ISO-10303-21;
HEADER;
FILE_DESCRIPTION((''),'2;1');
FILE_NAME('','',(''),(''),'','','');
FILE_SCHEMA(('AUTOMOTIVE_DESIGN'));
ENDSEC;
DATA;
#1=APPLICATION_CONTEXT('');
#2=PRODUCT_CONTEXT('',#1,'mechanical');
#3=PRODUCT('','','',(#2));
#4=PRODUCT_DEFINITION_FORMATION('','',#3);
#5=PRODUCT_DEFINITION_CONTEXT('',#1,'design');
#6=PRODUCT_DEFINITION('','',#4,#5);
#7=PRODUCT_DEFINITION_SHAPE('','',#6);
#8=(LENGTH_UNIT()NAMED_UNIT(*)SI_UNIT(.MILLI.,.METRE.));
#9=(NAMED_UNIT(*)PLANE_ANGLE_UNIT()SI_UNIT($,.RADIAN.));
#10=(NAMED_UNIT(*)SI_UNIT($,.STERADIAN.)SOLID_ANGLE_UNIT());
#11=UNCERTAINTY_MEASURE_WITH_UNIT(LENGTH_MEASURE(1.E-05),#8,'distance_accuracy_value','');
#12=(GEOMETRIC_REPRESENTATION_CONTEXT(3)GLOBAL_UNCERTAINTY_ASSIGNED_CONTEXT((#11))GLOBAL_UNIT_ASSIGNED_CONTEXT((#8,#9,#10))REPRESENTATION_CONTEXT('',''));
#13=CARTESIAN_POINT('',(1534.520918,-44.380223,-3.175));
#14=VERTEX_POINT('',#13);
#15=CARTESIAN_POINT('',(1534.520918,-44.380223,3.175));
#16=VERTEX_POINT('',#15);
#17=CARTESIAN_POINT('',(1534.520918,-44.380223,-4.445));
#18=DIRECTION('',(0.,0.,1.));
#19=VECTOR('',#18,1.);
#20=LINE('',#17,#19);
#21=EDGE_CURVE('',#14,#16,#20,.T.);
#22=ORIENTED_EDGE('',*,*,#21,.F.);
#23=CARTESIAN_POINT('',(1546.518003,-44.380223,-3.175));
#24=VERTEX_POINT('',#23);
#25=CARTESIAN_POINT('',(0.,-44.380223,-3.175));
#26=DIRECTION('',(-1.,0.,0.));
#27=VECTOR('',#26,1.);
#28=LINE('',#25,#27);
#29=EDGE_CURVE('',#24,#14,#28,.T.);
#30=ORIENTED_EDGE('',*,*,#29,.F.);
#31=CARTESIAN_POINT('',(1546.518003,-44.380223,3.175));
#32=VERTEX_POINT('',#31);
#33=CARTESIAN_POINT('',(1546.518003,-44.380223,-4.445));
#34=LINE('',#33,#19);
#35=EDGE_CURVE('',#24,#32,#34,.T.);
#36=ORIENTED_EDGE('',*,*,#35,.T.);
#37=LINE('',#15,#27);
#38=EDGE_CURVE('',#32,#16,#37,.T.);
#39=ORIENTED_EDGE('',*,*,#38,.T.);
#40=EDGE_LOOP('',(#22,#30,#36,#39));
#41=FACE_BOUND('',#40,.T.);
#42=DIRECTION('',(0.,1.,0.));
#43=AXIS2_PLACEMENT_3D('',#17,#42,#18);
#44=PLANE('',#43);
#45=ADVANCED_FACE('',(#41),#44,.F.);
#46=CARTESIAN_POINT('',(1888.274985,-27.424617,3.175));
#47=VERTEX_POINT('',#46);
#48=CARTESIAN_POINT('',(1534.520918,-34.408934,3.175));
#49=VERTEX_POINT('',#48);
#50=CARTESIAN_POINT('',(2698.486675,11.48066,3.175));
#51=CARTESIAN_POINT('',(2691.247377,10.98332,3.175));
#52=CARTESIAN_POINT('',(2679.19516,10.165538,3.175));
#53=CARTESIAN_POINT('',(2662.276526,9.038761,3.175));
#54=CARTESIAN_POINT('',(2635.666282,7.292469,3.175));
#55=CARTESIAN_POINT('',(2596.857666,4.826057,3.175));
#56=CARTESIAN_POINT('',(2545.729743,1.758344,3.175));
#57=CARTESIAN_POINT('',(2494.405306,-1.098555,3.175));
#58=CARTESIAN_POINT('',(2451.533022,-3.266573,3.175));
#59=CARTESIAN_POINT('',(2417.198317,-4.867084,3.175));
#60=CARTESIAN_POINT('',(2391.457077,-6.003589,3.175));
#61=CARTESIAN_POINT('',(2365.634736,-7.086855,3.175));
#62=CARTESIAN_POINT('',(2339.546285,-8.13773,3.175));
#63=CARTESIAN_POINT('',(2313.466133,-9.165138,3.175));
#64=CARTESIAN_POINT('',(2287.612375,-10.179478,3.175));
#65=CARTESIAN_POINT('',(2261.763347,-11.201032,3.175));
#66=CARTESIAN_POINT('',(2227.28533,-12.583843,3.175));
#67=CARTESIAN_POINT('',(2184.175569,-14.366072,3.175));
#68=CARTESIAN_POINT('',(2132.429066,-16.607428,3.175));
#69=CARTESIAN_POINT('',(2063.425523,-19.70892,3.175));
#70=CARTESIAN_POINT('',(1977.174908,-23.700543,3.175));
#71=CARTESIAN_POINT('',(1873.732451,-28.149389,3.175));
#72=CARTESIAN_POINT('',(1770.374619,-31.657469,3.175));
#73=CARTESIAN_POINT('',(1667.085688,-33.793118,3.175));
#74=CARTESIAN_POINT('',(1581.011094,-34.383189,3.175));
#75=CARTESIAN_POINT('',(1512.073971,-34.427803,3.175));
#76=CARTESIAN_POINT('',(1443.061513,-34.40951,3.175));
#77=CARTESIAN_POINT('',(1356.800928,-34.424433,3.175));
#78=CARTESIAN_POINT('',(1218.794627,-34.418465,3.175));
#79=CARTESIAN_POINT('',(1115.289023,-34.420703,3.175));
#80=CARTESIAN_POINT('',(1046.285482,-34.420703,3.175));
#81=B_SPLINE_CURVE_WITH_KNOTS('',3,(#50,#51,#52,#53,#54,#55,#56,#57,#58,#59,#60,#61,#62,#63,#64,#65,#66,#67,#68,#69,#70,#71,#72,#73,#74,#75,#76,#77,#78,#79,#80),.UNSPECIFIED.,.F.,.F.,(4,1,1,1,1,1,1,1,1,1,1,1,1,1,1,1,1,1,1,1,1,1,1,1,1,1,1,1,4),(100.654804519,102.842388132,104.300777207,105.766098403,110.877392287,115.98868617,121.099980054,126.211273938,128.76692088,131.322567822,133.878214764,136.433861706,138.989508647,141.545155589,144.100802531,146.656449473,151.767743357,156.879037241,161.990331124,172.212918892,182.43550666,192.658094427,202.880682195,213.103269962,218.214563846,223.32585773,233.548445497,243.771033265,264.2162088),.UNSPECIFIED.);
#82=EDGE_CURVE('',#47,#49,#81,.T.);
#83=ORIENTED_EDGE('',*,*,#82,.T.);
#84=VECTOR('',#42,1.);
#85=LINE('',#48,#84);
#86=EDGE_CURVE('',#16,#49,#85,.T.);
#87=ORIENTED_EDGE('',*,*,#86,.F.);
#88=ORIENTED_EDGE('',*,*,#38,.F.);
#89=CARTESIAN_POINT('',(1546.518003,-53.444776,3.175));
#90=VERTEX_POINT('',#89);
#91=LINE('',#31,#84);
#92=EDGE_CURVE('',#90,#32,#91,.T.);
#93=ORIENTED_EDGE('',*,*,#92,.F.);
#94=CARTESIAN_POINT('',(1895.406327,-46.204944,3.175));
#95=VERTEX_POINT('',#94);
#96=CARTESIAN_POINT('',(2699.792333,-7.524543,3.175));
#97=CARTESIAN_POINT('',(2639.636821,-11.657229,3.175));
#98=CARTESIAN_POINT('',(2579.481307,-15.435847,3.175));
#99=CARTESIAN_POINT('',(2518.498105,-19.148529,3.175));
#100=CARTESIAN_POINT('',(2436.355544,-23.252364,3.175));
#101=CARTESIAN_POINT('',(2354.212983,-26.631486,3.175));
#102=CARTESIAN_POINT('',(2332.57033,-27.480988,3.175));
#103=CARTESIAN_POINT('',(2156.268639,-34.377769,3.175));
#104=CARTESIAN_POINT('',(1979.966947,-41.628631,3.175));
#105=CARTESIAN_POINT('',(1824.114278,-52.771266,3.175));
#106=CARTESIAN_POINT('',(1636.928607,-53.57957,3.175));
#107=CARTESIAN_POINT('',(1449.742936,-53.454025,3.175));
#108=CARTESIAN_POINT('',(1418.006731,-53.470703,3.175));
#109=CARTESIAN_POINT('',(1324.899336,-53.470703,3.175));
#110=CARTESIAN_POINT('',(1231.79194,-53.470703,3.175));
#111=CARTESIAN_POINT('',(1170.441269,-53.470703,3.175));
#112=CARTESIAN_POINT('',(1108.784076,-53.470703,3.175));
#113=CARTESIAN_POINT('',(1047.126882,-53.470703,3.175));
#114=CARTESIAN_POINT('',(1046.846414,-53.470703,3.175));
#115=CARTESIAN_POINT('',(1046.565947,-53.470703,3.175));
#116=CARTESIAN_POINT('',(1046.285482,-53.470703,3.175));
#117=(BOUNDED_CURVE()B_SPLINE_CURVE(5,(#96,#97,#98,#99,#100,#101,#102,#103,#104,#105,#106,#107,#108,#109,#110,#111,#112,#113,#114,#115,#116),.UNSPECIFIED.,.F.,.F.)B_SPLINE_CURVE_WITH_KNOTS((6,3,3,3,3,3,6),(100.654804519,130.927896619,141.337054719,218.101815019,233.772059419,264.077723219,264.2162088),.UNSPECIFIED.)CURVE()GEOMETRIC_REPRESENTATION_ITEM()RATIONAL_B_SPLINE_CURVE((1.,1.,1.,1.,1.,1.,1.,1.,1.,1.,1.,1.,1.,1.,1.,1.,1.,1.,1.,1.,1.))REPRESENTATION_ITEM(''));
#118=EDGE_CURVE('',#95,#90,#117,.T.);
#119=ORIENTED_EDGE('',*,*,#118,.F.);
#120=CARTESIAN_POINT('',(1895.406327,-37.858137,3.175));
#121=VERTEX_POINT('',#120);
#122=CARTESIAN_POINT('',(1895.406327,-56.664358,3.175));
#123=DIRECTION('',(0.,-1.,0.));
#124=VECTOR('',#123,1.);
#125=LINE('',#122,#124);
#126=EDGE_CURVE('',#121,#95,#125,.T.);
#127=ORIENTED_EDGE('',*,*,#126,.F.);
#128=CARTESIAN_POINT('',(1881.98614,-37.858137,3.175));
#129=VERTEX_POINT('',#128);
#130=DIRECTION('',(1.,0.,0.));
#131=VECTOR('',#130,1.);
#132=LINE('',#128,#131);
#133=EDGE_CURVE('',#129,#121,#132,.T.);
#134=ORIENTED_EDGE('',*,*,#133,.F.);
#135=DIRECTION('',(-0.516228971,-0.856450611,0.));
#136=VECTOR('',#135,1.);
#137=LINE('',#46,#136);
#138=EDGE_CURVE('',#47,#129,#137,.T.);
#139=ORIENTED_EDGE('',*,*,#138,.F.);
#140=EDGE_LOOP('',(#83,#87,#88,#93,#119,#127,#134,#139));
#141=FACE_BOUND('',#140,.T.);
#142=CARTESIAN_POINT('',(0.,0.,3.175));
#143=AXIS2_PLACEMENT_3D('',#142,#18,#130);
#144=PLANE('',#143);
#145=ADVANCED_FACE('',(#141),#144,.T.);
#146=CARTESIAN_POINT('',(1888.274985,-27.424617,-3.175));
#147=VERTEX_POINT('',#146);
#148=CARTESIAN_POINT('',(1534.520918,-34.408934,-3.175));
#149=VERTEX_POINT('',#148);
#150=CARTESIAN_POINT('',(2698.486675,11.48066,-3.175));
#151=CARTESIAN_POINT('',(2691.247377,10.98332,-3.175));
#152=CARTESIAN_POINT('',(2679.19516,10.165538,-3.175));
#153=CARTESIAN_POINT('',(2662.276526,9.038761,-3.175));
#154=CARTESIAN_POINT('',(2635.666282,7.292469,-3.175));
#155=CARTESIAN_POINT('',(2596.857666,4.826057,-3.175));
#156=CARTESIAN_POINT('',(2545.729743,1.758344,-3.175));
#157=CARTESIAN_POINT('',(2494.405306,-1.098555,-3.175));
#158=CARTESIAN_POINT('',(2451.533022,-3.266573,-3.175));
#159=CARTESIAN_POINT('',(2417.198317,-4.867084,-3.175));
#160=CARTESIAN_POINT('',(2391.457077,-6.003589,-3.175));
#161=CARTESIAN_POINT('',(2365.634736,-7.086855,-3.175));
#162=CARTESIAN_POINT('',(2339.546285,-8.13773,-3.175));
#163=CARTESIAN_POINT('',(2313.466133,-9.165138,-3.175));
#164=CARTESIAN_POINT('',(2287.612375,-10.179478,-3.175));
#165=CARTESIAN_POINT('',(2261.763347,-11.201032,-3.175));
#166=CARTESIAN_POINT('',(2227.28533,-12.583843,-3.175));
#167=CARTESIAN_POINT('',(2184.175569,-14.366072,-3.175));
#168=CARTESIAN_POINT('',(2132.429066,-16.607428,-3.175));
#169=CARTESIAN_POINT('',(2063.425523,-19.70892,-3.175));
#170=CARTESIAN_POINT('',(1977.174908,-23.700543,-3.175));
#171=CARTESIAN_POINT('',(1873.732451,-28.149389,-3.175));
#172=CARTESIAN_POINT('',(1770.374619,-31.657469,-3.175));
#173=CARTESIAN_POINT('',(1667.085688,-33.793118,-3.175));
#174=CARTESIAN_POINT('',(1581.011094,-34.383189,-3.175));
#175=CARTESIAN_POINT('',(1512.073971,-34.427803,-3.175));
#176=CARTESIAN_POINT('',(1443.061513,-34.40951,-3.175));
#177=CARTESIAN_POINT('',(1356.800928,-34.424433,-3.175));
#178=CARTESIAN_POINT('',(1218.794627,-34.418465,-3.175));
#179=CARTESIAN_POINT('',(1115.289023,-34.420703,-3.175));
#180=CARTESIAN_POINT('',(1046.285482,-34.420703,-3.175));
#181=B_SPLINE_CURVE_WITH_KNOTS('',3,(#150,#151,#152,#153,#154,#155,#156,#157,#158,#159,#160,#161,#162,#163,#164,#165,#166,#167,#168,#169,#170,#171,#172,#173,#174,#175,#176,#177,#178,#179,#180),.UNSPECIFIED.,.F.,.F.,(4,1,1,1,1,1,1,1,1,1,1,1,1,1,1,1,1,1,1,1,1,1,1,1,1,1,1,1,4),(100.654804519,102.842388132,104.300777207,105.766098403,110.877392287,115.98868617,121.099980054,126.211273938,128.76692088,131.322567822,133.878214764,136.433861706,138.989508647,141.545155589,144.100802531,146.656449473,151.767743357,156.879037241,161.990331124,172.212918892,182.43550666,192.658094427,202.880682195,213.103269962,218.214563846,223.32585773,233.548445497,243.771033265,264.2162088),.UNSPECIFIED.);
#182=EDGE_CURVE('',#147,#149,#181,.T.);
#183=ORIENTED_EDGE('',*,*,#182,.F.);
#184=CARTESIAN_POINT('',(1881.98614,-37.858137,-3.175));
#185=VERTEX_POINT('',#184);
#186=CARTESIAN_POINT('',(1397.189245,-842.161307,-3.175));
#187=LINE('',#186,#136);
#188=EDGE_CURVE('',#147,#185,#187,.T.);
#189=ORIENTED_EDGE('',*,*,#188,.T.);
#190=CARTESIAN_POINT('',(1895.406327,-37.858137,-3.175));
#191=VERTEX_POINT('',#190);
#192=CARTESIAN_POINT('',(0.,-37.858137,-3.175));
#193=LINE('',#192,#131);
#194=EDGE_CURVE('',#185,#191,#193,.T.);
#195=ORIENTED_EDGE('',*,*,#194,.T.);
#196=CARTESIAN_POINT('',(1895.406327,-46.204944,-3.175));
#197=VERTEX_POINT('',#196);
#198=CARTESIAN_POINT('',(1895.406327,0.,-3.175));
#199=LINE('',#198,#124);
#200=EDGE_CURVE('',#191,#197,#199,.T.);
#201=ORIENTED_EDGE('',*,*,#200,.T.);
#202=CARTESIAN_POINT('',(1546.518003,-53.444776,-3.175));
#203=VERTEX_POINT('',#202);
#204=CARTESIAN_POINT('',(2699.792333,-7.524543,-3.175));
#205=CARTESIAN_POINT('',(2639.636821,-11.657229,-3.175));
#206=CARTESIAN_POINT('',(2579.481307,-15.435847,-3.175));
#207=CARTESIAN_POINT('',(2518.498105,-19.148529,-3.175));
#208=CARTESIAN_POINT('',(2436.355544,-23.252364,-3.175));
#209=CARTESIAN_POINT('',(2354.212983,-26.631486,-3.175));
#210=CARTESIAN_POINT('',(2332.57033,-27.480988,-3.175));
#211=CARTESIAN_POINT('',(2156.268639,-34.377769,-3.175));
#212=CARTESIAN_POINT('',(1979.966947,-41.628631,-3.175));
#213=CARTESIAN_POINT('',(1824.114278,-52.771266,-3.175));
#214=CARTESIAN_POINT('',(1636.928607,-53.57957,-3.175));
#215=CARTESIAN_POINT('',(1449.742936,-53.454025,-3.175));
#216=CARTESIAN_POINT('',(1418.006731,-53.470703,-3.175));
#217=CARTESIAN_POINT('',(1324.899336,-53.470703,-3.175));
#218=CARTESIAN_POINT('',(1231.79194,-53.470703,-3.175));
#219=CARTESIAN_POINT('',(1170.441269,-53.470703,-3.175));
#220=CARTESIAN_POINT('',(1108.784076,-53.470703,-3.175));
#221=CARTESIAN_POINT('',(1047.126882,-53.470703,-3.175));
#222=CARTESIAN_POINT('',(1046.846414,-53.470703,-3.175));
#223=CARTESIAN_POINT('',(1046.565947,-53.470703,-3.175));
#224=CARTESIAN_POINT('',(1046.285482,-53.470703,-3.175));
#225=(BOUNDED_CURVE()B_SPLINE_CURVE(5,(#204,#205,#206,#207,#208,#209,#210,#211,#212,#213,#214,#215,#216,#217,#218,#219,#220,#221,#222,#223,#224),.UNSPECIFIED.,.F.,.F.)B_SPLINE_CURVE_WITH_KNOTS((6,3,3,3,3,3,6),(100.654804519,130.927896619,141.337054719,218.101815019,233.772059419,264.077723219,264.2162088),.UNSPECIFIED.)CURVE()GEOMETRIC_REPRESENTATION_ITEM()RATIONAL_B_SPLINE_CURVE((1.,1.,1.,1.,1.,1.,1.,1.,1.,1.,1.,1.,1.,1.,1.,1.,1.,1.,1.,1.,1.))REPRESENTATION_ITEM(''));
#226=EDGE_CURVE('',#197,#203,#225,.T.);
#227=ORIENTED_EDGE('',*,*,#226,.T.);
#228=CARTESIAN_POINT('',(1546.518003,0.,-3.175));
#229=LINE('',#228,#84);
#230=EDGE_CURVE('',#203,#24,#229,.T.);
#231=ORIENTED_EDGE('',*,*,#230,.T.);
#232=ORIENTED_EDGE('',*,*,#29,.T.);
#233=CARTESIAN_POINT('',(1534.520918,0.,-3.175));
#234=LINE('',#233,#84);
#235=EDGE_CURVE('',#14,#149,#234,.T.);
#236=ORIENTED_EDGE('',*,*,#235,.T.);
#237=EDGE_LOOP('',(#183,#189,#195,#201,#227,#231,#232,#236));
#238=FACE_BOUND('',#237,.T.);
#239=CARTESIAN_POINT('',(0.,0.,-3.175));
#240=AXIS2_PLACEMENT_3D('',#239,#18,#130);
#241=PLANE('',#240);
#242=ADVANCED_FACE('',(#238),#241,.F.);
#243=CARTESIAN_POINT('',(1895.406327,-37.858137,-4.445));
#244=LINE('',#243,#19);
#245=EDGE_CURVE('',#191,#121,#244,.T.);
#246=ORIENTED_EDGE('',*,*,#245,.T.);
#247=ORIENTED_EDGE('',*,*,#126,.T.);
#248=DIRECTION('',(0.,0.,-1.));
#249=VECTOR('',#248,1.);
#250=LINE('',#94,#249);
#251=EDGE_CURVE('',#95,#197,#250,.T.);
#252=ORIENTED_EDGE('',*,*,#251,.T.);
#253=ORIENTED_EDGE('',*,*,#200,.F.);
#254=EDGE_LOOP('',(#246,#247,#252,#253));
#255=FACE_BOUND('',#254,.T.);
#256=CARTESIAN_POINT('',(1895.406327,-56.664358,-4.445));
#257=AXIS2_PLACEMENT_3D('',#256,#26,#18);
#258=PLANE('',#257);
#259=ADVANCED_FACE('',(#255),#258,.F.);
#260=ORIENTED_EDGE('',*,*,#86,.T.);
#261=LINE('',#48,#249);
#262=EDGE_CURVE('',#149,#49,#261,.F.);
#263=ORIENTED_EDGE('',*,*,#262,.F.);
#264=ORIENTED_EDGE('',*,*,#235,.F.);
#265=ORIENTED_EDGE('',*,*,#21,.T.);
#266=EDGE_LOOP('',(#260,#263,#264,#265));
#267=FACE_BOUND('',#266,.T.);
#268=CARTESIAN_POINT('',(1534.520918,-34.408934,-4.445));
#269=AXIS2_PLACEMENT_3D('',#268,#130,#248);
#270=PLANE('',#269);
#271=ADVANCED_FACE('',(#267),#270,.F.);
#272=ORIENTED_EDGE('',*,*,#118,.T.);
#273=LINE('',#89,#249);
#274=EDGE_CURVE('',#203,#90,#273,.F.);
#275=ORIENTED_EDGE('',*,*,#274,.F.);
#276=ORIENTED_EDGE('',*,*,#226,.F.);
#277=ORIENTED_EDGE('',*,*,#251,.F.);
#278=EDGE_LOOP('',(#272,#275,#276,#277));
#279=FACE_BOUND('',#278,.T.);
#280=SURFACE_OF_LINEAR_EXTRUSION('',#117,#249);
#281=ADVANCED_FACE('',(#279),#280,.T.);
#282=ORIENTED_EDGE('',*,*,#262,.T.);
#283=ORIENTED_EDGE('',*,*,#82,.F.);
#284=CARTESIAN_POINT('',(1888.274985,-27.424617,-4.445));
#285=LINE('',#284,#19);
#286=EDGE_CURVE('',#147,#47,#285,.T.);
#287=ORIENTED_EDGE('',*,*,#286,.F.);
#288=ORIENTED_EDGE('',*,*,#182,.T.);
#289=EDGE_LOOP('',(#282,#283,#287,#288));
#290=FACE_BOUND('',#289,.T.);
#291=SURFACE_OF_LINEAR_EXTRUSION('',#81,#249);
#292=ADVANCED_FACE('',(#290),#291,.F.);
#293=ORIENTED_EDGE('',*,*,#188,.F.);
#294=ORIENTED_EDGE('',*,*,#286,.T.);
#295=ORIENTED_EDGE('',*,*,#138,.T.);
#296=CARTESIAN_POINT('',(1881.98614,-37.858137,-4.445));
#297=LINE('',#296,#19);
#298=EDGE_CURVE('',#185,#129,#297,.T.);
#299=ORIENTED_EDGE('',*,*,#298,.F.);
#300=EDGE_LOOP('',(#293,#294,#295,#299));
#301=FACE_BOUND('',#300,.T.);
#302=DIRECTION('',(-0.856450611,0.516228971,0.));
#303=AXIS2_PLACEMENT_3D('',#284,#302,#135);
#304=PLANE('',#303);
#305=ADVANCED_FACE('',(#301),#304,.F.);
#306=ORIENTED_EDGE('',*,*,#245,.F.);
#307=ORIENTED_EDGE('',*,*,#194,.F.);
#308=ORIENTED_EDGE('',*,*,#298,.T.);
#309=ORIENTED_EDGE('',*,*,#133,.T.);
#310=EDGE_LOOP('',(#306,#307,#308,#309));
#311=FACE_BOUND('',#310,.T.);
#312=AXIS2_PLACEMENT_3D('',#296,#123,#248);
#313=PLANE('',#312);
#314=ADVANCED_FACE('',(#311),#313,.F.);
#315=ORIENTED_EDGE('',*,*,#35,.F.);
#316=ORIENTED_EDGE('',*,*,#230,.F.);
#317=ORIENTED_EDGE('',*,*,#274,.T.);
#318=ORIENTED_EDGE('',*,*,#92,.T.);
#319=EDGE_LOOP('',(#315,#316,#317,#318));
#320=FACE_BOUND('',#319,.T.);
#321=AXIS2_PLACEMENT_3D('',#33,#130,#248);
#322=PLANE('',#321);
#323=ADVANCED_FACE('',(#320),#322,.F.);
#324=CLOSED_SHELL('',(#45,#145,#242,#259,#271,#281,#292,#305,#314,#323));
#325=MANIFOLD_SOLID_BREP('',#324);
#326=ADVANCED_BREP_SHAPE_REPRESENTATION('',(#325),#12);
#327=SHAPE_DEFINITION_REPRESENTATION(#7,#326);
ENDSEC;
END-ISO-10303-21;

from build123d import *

# Parameters (mm, degrees)
BOSS_EXTRUDE1_DEPTH = 3.175
CUT_EXTRUDE1_DEPTH  = 7.3500001
FILLET1_R           = 2.54
CUT_EXTRUDE2_DEPTH  = 7.62


with BuildPart() as part:
    # Sketch1 → Boss-Extrude1 (new body, symmetric)
    with BuildSketch(Plane.XY):
        with BuildLine():
            Line((499.61002795, -53.470702797), (1046.28548189, -53.470702797))
            add(Edge.make_bspline(
                [(2669.54, -9.569049356), (2615.393603553, -13.17073937), (2561.080658619, -16.536108081), (2506.205230446, -19.758621957), (2430.209106802, -23.505211705), (2354.212983157, -26.631486423), (2332.570330468, -27.480988169), (2156.268639429, -34.377768543), (1979.966947376, -41.628631248), (1824.114277635, -52.771265877), (1636.928606778, -53.579569849), (1449.742935921, -53.454024613), (1418.006730935, -53.470702797), (1324.899336146, -53.470702797), (1231.791940344, -53.470702797), (1170.441269319, -53.470702797), (1108.784075813, -53.470702797), (1047.126882346, -53.470702797), (1046.846414188, -53.470702797), (1046.565947184, -53.470702797), (1046.28548189, -53.470702797)],
                knots=[103.698913506, 103.698913506, 103.698913506, 103.698913506, 103.698913506, 103.698913506, 130.927896619, 130.927896619, 130.927896619, 141.337054719, 141.337054719, 141.337054719, 218.101815019, 218.101815019, 218.101815019, 233.772059419, 233.772059419, 233.772059419, 264.077723219, 264.077723219, 264.077723219, 264.2162088, 264.2162088, 264.2162088, 264.2162088, 264.2162088, 264.2162088], degree=5))
            Line((2669.54, -9.569049356), (2669.54, 9.5231025))
            add(Edge.make_bspline(
                [(2669.54, 9.5231025), (2667.126494524, 9.36235515), (2659.861586685, 8.880281494), (2635.666282302, 7.292469146), (2596.857665529, 4.826056853), (2545.729743039, 1.758344093), (2494.405305707, -1.098555235), (2451.533022267, -3.266573297), (2417.198316756, -4.86708361), (2391.457076919, -6.003589235), (2365.634736307, -7.086854581), (2339.546284672, -8.137729944), (2313.466132974, -9.165138371), (2287.612375486, -10.179478215), (2261.763347437, -11.201032297), (2227.285329715, -12.583842557), (2184.175569393, -14.36607236), (2132.429066114, -16.607427868), (2063.4255234, -19.708920485), (1977.174907635, -23.700543313), (1873.732451432, -28.149389221), (1770.37461881, -31.657468649), (1667.085687813, -33.793117556), (1581.011094491, -34.383188831), (1512.07397126, -34.4278026), (1443.061513477, -34.409510402), (1356.800927879, -34.424432812), (1218.794626954, -34.418464788), (1115.289022786, -34.420702797), (1046.28548189, -34.420702797)],
                knots=[103.571582669, 103.571582669, 103.571582669, 103.571582669, 104.300777207, 105.766098403, 110.877392287, 115.98868617, 121.099980054, 126.211273938, 128.76692088, 131.322567822, 133.878214764, 136.433861706, 138.989508647, 141.545155589, 144.100802531, 146.656449473, 151.767743357, 156.879037241, 161.990331124, 172.212918892, 182.43550666, 192.658094427, 202.880682195, 213.103269962, 218.214563846, 223.32585773, 233.548445497, 243.771033265, 264.2162088, 264.2162088, 264.2162088, 264.2162088], degree=3))
            Line((1046.28548189, -34.420702797), (499.61002795, -34.420702797))
            add(Edge.make_bspline(
                [(499.61002795, -34.420702797), (488.614737518, -34.420702797), (472.236395365, -34.420702798), (449.940231846, -34.420702794), (427.771305695, -34.42070281), (405.874681663, -34.420702712), (384.584909128, -34.420702942), (368.900229326, -34.420702244), (353.376568613, -34.420704862), (332.608466435, -34.420689186), (306.287754853, -34.420570006), (274.023487704, -34.420538256), (252.271015965, -34.420709741), (241.425150134, -34.420702761)],
                knots=[19.90682951, 19.90682951, 19.90682951, 19.90682951, 23.220120017, 24.876765271, 26.533410525, 29.846701033, 31.503346286, 33.15999154, 34.816636794, 36.473282048, 39.786572556, 43.099863063, 46.413153571, 46.413153571, 46.413153571, 46.413153571], degree=3))
            add(Edge.make_bspline(
                [(241.425150134, -34.420702761), (239.394928853, -34.420701455), (235.322322927, -34.420495867), (227.274423443, -34.398702533), (217.319360062, -34.297466855), (205.530690077, -33.976385563), (189.963341914, -33.212641271), (170.696984653, -31.543495194), (147.533261232, -28.314398128), (125.482753206, -24.202109872), (109.358914834, -20.622537553), (100.964116069, -18.612521054), (99.06, -18.149327722)],
                knots=[0, 0, 0, 0, 0.622088422, 1.244176844, 2.488353689, 3.732530533, 4.976707377, 7.465061066, 9.953414755, 12.441768444, 14.55823542, 15.180323842, 15.180323842, 15.180323842, 15.180323842], degree=3))
            Line((99.06, -18.149327722), (99.06, -37.741485304))
            add(Edge.make_bspline(
                [(241.425137875, -53.470702761), (224.286916993, -53.470691732), (207.149474967, -53.467315374), (190.203897513, -52.686577078), (161.734965878, -49.987457476), (133.266034188, -45.175583375), (121.749620566, -42.910592695), (110.349390726, -40.420274627), (99.06, -37.741485304)],
                knots=[0, 0, 0, 0, 0, 0, 8.71381608, 8.71381608, 8.71381608, 14.701907176, 14.701907176, 14.701907176, 14.701907176, 14.701907176, 14.701907176], degree=5))
            add(Edge.make_bspline(
                [(499.61002795, -53.470702797), (492.136820835, -53.470702797), (484.754348064, -53.470702797), (477.443025859, -53.470702797), (448.516583145, -53.470702797), (419.590140517, -53.470702797), (398.368118521, -53.470702797), (355.647540186, -53.470702797), (312.926961851, -53.470702797), (289.235090436, -53.470293029), (265.364963651, -53.470705034), (241.4948369, -53.470702789), (241.471603891, -53.470702785), (241.448370882, -53.470702776), (241.425137875, -53.470702761)],
                knots=[19.90682951, 19.90682951, 19.90682951, 19.90682951, 19.90682951, 19.90682951, 23.637897311, 23.637897311, 23.637897311, 34.276545571, 34.276545571, 34.276545571, 46.401340901, 46.401340901, 46.401340901, 46.413153571, 46.413153571, 46.413153571, 46.413153571, 46.413153571, 46.413153571], degree=5))
        make_face()
    extrude(amount=BOSS_EXTRUDE1_DEPTH, both=True)

    # Sketch2 → Cut-Extrude1 (cut, through all)
    with BuildSketch(Plane.XY.offset(3.175)):
        with BuildLine():
            add(Edge.make_bspline(
                [(2312.9875, -9.183260037), (2304.505441691, -9.516700376), (2287.441020622, -10.186250162), (2261.763347437, -11.201032297), (2228.230552004, -12.545932515), (2203.310445107, -13.575047161), (2187.00995947, -14.263260037)],
                knots=[139.04033329, 139.04033329, 139.04033329, 139.04033329, 141.545155589, 144.100802531, 146.656449473, 151.487488909, 151.487488909, 151.487488909, 151.487488909], degree=3))
            Line((2187.00995947, -14.263260037), (2312.9875, -14.263260037))
            Line((2312.9875, -14.263260037), (2312.9875, -9.183260037))
        make_face()
    extrude(amount=-CUT_EXTRUDE1_DEPTH, mode=Mode.SUBTRACT)

    # Fillet1
    fillet1_edges = [part.edges().sort_by_distance(p)[0] for p in [
        (2669.54, -9.569049356, -1.5875),
        (2669.54, 9.5231025, -1.5875),
        (99.06, -37.741485304, -1.5875),
        (99.06, -18.149327722, -1.5875),
        (2312.9875, -9.183260037, 1.5875),
        (2312.9875, -14.263260037, 0),
    ]]
    fillet(fillet1_edges, radius=FILLET1_R)

    # Sketch3 → Cut-Extrude2 (cut)
    with BuildSketch(Plane.XY.offset(3.175)):
        Polygon((1534.520918045, -34.408934174), (1534.520918045, -44.380222694), (1546.518002564, -44.380222694), (1546.518002564, -53.444776375), (1546.518002564, -106.023211896), (55.693371554, -302.623897547), (0, 180.999666526), (1534.520918045, 89.767095142), align=None)
        Polygon((1888.274985361, -27.424617015), (1881.98614013, -37.858137115), (1895.406326502, -37.858137115), (1895.406326502, -46.204944132), (1895.406326502, -56.664358377), (2711.703422573, -53.444776375), (2711.703422573, 52.291712547), (1888.274985361, 63.130297766), align=None)
    extrude(amount=-CUT_EXTRUDE2_DEPTH, mode=Mode.SUBTRACT)


solid = part.part
